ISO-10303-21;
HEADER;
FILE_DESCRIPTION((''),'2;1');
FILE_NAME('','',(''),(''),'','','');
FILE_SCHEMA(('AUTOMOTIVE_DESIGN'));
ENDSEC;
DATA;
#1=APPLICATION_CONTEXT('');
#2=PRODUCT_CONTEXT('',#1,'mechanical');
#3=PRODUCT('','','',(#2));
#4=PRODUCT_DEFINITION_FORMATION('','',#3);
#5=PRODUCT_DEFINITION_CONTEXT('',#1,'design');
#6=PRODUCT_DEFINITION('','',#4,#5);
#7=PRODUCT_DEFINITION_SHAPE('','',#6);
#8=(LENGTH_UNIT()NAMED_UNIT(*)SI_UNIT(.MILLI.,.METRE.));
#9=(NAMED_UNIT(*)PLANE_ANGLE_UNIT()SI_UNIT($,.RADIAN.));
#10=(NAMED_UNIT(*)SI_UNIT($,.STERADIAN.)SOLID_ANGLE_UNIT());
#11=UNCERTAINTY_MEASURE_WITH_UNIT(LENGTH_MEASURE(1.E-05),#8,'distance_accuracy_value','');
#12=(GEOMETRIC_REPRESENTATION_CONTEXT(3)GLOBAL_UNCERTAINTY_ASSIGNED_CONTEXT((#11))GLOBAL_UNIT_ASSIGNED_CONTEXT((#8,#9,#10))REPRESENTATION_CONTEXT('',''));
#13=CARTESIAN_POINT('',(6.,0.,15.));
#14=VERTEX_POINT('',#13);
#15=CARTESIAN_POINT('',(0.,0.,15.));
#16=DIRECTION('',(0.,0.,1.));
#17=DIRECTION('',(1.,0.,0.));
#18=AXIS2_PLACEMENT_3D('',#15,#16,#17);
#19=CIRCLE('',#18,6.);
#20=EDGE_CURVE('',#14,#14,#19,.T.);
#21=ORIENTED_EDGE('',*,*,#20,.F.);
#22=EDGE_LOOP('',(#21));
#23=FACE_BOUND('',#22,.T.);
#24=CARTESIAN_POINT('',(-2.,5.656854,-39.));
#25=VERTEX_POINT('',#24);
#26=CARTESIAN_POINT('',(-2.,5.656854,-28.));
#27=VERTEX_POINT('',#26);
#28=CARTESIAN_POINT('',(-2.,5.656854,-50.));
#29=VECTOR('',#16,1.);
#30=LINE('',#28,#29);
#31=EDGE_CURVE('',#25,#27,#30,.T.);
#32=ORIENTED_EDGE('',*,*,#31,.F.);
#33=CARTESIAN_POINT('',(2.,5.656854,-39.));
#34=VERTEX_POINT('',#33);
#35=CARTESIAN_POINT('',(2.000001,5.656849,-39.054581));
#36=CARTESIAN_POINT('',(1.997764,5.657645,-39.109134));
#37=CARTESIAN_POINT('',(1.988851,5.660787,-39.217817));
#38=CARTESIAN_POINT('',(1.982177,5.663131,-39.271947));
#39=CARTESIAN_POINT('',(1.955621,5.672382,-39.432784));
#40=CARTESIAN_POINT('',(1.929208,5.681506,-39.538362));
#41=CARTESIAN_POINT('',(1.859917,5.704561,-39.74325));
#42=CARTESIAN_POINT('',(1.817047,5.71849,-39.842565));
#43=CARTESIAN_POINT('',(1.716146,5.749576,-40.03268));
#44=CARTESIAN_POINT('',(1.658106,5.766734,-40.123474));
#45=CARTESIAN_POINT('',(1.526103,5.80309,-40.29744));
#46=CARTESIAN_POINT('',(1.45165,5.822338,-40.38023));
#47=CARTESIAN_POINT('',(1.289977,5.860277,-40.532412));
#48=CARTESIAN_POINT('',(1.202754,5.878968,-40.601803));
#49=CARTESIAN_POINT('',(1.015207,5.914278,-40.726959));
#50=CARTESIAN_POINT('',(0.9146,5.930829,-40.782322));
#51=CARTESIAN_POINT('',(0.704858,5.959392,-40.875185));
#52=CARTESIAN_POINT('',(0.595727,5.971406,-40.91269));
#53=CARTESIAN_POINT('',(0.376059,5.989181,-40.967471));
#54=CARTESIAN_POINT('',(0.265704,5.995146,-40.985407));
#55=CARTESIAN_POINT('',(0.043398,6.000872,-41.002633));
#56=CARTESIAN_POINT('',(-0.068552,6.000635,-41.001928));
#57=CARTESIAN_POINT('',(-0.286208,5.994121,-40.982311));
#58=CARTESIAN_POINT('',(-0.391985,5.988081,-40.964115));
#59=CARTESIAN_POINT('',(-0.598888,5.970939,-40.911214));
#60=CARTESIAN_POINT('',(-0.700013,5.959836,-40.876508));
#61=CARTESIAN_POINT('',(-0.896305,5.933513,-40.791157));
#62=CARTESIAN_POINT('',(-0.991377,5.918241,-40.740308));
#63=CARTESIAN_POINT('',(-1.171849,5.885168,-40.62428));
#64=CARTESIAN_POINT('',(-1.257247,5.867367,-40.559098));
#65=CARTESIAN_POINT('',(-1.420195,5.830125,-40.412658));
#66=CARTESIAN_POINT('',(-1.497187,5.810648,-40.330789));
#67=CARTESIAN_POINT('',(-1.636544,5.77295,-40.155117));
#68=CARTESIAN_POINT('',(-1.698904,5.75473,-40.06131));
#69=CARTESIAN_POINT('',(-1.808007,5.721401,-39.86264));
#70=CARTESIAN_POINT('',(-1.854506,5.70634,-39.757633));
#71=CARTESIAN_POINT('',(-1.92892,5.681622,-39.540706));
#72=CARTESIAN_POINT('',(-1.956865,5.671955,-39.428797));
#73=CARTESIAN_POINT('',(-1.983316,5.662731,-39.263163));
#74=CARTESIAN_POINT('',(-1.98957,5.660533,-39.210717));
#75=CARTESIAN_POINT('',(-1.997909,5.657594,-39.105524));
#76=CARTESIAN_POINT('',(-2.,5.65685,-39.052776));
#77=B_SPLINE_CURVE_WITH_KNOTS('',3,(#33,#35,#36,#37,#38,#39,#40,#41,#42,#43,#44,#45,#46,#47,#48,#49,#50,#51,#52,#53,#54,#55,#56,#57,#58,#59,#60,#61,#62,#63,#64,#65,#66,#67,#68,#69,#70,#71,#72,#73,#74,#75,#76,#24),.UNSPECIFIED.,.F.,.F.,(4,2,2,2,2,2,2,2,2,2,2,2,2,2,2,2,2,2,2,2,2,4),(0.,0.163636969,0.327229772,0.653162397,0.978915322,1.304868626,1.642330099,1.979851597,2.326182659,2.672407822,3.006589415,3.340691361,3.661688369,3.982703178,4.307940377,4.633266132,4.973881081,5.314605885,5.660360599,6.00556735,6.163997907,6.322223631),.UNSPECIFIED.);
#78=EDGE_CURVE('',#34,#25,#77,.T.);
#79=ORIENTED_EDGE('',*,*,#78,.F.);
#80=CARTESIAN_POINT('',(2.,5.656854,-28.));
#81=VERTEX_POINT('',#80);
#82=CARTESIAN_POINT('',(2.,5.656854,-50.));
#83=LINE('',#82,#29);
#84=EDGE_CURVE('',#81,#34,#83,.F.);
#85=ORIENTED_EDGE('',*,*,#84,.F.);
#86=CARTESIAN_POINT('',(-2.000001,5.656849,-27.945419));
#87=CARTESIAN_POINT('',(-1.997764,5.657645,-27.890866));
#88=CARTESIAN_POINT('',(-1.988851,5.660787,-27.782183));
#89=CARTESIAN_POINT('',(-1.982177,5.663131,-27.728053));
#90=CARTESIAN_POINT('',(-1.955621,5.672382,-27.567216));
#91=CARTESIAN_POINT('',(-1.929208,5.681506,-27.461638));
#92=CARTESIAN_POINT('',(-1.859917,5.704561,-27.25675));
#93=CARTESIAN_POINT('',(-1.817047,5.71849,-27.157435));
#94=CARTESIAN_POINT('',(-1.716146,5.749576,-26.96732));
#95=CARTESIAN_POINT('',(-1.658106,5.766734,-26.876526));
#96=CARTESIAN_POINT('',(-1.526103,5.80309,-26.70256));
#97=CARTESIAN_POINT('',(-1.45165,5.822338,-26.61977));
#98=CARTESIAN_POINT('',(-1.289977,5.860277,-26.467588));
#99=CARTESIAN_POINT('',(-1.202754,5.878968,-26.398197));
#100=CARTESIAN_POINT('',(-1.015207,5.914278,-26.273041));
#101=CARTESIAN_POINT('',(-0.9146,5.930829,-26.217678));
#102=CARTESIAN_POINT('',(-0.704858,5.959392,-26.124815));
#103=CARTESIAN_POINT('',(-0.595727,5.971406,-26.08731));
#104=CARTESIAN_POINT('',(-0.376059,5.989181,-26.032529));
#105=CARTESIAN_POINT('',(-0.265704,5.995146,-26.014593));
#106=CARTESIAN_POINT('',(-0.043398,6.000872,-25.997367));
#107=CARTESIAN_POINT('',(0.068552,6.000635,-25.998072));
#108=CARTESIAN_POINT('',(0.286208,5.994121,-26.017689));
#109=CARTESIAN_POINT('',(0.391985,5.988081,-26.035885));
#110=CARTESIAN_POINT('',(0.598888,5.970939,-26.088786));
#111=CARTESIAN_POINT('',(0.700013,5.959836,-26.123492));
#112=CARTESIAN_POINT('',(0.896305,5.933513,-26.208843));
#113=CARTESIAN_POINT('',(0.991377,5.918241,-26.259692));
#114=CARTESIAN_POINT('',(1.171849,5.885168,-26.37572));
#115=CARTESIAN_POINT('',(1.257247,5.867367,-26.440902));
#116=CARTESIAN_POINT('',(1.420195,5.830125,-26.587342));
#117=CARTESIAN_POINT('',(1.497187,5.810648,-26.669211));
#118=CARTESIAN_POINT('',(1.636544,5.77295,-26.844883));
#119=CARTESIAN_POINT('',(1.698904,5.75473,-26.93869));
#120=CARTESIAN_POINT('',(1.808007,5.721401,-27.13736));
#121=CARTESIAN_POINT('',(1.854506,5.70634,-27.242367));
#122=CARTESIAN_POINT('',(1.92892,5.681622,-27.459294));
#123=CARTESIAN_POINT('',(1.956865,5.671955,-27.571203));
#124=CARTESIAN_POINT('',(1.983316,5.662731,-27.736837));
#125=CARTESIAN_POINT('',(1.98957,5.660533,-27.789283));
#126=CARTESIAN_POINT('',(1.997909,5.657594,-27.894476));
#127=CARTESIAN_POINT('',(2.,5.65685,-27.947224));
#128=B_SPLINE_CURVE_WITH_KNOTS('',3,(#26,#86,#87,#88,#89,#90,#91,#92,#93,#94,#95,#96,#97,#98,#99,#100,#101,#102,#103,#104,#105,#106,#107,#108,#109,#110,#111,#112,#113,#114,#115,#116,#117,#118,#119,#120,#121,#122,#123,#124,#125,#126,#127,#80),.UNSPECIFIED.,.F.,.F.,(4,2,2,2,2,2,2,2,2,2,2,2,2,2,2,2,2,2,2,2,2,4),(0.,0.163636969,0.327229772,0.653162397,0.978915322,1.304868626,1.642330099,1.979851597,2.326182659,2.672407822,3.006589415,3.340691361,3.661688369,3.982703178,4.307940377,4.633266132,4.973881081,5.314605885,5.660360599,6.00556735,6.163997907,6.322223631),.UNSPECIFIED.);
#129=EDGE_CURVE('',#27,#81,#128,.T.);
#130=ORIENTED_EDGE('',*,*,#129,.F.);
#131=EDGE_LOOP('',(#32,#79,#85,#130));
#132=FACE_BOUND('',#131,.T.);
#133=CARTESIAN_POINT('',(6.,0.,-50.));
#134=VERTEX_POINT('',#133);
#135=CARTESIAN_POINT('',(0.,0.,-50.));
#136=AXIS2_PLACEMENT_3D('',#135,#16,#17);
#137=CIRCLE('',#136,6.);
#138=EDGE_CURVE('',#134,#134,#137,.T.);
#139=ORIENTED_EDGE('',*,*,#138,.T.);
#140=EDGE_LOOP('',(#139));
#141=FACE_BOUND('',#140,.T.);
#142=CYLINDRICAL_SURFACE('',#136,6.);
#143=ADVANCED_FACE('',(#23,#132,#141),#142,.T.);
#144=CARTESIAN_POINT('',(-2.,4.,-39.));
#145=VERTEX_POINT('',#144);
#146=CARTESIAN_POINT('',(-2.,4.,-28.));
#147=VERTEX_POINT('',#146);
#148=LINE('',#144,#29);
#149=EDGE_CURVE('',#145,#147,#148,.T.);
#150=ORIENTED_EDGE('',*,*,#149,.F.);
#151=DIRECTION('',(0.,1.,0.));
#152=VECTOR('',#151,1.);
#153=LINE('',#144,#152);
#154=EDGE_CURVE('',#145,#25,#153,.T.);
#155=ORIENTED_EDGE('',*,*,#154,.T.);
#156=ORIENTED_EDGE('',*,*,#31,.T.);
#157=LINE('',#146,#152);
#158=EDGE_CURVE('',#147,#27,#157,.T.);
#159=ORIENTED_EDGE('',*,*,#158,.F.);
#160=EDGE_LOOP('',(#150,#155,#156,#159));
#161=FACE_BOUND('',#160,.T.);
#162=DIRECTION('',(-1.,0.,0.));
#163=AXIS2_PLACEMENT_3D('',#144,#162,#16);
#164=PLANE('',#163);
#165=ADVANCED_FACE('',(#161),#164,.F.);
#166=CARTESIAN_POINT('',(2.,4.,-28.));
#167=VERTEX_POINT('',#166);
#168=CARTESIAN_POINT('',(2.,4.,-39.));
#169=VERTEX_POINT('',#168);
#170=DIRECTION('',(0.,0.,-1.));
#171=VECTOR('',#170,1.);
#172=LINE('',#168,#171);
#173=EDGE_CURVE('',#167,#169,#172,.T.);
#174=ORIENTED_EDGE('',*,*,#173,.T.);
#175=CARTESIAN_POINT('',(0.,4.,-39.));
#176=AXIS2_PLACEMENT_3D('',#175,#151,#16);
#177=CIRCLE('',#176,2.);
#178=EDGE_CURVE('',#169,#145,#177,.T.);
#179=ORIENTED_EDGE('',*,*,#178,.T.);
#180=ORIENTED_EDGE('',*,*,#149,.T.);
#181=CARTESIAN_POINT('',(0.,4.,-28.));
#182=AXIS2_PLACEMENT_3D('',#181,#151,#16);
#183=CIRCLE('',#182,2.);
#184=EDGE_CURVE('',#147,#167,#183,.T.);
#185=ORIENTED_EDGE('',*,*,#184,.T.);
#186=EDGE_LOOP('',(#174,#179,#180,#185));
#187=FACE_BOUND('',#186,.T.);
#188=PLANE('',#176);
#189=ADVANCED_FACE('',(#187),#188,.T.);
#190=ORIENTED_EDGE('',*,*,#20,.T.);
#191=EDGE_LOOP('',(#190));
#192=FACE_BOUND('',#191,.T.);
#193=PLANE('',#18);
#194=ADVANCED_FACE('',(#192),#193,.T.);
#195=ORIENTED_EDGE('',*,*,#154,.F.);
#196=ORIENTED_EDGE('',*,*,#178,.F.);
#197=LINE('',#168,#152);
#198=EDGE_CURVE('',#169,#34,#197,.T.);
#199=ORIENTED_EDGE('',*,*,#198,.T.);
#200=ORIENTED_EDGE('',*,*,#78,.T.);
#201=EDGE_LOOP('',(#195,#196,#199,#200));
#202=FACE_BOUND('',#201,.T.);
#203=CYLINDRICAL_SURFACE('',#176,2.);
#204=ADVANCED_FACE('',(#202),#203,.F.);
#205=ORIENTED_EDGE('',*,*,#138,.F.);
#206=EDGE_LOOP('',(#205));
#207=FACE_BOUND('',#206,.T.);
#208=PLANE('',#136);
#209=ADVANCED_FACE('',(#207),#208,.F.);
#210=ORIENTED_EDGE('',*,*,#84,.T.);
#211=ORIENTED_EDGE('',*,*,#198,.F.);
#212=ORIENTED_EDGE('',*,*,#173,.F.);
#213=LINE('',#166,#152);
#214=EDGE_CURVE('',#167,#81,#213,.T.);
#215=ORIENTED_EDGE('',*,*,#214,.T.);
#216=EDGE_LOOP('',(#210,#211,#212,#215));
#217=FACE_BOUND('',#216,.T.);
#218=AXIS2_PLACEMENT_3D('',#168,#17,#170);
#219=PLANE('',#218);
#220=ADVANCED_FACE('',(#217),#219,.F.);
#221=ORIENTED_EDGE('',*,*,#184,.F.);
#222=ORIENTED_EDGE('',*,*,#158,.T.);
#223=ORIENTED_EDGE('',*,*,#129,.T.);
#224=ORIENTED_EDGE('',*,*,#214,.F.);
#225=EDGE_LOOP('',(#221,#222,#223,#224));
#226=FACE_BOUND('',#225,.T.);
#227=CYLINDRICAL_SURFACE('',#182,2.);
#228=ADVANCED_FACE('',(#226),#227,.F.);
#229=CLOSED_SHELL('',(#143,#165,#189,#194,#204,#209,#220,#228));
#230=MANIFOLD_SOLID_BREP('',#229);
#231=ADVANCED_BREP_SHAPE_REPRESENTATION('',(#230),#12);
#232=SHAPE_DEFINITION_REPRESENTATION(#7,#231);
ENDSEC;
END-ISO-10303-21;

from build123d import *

# Parameters (mm, degrees)
ESQUISSE1_R             = 6
BOSS_EXTRU_1_DEPTH      = 50
ENL_V_MAT_EXTRU_3_DEPTH = 2
BOSS_EXTRU_2_START      = 15
ESQUISSE4_R             = 6
BOSS_EXTRU_2_DEPTH      = 15


with BuildPart() as part:
    # Esquisse1 → Boss.-Extru.1 (new body)
    with BuildSketch(Plane.XY):
        Circle(ESQUISSE1_R)
    extrude(amount=-BOSS_EXTRU_1_DEPTH)

    # Esquisse3 → Enlèv. mat.-Extru.3 (cut)
    with BuildSketch(Plane(origin=(0, 6, 0), x_dir=(1, 0, 0), z_dir=(0, 1, 0))):
        with BuildLine():
            Line((2, 39), (2, 28))
            ThreePointArc((2, 28), (0, 26), (-2, 28))
            Line((-2, 28), (-2, 39))
            ThreePointArc((-2, 39), (0, 41), (2, 39))
        make_face()
    extrude(amount=-ENL_V_MAT_EXTRU_3_DEPTH, mode=Mode.SUBTRACT)

    # Esquisse4 → Boss.-Extru.2 (add)
    with BuildSketch(Plane.XY.offset(BOSS_EXTRU_2_START)):
        Circle(ESQUISSE4_R)
    extrude(amount=-BOSS_EXTRU_2_DEPTH)


solid = part.part
